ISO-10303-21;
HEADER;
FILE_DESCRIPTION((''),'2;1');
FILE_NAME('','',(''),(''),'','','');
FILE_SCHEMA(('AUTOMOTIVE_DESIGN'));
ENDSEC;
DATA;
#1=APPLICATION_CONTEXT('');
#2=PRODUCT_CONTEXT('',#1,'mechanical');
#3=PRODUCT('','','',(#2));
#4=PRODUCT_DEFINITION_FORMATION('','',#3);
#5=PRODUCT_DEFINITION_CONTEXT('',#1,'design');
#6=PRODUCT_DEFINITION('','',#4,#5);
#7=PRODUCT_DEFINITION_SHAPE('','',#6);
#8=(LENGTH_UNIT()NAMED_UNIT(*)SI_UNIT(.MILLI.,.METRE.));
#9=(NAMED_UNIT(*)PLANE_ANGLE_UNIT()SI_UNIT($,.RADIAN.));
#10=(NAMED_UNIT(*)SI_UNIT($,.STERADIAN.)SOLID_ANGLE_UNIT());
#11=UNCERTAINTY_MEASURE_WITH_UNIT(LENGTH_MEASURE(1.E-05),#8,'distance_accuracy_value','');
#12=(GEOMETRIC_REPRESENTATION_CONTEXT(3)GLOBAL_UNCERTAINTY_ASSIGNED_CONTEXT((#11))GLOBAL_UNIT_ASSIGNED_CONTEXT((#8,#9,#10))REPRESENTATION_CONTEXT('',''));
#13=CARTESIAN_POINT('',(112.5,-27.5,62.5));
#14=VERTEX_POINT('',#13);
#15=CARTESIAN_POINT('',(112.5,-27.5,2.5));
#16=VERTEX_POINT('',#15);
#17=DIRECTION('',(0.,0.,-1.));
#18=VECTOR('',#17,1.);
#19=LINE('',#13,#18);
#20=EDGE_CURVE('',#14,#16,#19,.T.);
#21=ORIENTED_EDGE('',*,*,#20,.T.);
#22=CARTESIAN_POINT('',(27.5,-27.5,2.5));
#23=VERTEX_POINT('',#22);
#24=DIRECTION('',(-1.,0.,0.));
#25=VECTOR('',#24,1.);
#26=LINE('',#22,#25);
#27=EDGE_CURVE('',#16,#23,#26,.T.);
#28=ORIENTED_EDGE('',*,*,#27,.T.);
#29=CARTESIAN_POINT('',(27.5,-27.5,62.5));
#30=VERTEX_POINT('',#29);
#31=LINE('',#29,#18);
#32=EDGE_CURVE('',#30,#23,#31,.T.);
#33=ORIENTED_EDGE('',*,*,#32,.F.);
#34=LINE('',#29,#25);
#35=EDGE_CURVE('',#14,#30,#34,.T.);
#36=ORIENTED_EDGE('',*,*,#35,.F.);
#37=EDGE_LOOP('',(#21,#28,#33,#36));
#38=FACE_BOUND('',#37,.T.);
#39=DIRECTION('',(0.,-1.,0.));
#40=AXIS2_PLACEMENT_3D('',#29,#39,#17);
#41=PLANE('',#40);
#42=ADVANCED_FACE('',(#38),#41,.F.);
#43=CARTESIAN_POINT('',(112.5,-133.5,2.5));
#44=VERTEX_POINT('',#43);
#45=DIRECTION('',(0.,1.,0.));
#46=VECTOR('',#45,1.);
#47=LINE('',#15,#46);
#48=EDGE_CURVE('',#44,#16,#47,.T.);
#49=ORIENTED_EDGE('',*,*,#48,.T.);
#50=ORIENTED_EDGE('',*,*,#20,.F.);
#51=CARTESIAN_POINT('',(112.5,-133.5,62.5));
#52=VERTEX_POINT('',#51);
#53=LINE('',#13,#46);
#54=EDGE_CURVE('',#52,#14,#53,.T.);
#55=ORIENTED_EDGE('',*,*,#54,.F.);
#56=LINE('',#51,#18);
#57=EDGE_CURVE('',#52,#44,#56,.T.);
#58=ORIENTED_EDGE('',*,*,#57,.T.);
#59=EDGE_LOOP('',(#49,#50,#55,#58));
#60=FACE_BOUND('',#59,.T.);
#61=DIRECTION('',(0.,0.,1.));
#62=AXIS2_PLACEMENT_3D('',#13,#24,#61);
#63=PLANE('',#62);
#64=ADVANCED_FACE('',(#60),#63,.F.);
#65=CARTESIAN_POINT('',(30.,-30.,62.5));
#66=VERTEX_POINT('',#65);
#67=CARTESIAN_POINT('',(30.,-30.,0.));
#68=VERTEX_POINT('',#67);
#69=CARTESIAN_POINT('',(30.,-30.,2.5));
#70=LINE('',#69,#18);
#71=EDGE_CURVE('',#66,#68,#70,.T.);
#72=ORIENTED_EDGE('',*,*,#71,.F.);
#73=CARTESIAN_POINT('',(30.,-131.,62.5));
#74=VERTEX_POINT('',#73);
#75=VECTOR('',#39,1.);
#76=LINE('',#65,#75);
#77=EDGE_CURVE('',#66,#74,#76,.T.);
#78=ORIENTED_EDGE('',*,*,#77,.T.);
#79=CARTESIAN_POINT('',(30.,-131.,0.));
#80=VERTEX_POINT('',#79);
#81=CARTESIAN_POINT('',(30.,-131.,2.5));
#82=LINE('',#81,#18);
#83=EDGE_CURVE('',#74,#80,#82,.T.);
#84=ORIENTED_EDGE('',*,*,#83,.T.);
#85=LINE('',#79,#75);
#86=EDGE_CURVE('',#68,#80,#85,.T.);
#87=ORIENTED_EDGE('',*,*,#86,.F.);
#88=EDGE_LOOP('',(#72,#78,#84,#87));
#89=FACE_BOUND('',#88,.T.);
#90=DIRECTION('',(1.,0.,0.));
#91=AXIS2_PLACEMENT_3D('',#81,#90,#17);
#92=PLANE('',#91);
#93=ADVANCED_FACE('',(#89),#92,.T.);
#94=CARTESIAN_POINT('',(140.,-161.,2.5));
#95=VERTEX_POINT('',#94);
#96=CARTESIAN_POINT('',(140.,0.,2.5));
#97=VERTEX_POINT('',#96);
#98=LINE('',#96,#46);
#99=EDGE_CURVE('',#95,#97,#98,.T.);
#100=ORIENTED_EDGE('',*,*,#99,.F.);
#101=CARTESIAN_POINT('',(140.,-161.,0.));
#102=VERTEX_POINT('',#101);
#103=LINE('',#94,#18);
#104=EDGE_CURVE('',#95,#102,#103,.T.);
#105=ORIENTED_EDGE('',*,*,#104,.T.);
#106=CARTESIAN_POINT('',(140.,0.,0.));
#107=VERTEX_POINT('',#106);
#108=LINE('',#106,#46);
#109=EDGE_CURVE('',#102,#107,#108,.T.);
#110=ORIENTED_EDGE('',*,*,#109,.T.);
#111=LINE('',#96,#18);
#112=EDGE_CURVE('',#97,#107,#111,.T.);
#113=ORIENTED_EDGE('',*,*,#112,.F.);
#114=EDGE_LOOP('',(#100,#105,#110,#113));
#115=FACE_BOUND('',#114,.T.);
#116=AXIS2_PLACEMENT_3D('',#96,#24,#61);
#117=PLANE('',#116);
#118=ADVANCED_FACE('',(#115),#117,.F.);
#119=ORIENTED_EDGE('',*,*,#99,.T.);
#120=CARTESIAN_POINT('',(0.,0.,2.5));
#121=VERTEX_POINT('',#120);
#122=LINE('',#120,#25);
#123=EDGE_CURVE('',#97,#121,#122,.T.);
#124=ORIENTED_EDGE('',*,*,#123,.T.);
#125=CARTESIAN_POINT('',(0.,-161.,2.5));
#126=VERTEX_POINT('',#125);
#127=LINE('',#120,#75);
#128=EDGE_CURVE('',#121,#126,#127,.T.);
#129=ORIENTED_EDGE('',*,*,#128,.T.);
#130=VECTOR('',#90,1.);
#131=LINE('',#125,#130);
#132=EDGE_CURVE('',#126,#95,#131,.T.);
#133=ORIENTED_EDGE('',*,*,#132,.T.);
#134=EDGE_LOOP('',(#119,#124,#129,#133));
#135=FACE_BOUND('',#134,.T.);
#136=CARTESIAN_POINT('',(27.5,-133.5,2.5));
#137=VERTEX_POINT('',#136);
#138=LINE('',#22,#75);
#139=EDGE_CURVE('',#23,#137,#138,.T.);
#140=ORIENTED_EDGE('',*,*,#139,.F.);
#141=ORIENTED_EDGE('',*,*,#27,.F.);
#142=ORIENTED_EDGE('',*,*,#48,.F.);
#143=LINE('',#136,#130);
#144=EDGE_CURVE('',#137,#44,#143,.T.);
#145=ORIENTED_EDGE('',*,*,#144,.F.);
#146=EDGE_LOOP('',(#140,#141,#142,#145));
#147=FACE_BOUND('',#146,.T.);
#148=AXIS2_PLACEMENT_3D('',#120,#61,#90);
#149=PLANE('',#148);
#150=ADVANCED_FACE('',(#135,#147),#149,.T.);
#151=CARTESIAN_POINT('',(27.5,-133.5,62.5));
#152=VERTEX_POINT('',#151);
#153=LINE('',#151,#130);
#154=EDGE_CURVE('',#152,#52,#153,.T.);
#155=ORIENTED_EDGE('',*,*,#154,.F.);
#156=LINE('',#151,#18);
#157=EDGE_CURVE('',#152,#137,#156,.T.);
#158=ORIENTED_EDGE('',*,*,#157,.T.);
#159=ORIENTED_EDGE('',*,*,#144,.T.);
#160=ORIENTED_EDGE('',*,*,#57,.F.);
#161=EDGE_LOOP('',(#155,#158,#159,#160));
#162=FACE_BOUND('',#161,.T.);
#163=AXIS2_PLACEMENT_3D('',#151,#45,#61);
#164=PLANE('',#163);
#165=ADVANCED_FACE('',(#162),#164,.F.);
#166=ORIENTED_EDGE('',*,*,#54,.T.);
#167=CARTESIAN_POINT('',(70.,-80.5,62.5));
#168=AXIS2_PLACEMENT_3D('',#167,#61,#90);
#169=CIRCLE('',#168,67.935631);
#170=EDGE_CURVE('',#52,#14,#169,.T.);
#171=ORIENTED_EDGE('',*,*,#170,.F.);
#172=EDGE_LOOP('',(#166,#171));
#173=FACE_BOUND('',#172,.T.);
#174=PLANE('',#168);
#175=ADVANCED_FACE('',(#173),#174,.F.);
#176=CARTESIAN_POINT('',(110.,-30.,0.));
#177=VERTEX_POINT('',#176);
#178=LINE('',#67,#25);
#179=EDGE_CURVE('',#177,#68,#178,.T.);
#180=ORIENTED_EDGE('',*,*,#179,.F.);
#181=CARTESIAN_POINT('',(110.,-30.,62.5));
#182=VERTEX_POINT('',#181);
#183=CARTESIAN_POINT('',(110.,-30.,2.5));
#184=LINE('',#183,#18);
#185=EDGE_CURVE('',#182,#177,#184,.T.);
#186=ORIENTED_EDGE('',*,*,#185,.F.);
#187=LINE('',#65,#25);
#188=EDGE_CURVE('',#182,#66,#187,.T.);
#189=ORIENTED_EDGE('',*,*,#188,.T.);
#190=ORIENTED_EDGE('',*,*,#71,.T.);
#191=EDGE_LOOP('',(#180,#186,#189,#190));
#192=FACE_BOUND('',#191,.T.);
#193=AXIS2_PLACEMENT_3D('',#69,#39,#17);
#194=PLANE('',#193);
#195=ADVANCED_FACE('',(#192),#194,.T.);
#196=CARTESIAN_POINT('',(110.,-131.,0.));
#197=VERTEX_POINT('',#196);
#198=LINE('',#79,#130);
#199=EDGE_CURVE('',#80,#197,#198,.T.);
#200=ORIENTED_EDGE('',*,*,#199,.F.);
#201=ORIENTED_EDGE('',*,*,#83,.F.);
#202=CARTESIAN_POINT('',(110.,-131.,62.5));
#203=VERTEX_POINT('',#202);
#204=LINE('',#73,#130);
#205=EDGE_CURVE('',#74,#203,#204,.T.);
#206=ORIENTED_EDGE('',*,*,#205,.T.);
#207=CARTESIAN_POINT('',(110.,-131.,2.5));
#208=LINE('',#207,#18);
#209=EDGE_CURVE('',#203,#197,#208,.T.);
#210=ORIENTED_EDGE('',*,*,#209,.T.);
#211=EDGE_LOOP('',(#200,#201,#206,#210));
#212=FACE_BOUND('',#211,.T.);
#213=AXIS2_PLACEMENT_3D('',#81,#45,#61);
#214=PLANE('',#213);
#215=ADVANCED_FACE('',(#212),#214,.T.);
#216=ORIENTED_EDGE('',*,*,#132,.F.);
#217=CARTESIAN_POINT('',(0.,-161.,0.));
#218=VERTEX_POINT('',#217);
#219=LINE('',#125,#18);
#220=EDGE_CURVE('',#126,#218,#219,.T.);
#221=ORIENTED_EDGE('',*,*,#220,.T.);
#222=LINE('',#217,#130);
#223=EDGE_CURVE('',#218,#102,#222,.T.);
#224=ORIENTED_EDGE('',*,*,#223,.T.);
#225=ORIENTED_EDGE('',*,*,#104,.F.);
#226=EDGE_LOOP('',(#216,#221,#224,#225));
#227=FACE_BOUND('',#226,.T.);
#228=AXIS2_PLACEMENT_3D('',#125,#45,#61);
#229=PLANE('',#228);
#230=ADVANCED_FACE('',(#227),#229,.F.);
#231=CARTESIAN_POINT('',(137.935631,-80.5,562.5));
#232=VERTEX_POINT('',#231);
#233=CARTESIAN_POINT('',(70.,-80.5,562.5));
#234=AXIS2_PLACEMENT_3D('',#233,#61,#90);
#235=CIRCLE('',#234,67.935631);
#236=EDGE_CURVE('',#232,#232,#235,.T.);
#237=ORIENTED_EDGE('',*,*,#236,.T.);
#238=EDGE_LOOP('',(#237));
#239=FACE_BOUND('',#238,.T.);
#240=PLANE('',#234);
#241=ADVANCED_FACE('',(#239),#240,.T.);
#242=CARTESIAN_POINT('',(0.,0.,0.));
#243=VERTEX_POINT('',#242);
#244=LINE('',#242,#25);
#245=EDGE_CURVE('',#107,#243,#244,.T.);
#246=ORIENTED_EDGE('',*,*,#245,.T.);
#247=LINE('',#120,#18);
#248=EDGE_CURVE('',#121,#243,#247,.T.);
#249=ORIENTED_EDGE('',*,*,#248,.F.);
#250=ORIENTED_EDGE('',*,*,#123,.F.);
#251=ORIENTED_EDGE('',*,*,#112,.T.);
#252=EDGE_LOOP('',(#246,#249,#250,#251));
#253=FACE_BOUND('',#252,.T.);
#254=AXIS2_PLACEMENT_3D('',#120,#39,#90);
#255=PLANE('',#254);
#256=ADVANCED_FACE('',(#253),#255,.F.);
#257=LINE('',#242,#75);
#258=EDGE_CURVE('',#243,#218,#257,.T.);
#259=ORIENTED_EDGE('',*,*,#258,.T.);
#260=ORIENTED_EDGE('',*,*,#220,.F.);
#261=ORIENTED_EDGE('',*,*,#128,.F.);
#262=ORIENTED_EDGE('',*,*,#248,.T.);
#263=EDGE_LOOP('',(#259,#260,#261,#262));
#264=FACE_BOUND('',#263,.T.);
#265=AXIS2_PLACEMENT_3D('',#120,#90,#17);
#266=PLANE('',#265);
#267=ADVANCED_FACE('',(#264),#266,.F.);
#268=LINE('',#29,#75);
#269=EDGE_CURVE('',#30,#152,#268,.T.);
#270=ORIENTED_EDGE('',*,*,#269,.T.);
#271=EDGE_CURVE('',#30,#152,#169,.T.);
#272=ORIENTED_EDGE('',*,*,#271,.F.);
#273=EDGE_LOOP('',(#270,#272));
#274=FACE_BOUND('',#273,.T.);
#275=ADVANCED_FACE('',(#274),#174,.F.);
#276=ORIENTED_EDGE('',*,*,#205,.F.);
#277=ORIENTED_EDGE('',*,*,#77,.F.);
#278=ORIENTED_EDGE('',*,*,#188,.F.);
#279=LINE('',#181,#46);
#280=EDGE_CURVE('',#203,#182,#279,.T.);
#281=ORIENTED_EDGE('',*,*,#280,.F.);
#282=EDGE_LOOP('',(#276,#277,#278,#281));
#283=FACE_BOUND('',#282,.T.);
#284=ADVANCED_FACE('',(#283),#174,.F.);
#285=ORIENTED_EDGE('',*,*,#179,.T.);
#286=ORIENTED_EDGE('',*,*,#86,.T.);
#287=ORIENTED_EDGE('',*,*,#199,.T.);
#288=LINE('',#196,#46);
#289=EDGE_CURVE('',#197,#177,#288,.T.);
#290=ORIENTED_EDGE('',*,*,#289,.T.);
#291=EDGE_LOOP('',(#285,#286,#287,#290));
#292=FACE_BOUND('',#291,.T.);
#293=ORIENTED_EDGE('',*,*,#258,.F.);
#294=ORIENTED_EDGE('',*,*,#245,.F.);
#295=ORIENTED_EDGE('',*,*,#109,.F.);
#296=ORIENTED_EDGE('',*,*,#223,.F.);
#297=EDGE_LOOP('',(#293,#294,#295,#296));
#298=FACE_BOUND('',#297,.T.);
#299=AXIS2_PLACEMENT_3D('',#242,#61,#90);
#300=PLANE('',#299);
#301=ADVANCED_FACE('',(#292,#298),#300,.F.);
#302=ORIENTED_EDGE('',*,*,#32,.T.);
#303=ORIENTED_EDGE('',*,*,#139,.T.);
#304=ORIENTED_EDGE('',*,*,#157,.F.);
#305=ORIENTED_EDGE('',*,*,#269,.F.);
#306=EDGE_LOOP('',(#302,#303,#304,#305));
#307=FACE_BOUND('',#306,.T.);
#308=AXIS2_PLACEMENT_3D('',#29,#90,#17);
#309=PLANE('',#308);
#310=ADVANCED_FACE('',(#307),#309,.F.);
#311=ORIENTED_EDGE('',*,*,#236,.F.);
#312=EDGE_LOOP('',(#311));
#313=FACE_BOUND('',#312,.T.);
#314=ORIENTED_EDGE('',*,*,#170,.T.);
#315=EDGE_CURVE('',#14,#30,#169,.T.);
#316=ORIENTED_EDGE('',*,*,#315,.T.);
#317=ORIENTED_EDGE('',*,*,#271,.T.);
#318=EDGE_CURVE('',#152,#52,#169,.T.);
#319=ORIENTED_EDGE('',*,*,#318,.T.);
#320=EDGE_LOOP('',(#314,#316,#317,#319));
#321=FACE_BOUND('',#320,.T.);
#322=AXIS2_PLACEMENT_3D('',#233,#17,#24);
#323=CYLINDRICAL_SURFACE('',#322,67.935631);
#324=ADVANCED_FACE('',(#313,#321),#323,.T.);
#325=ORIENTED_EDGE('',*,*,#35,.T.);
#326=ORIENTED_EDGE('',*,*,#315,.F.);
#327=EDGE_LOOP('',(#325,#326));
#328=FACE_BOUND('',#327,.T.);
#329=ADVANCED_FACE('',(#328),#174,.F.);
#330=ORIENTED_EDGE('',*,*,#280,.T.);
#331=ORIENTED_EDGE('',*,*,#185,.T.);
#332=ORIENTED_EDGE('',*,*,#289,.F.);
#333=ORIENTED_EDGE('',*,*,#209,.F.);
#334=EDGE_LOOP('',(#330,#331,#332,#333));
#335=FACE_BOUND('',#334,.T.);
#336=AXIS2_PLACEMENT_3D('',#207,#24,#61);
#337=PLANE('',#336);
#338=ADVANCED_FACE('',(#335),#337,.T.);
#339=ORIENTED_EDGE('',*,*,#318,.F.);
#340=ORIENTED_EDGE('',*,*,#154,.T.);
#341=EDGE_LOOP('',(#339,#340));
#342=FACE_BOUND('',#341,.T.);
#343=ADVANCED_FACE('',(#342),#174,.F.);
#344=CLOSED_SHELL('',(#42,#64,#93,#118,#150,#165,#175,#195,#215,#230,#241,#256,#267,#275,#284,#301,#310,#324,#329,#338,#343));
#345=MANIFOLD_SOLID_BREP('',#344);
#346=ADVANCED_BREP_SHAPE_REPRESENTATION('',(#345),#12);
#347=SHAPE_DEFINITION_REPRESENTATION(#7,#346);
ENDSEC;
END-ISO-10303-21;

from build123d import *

# Parameters (mm, degrees)
CROQUIS1_W              = 140
CROQUIS1_H              = 161
CROQUIS1_W_2            = 80
CROQUIS1_H_2            = 101
SALIENTE_EXTRUIR1_DEPTH = 2.5
CROQUIS2_W              = 85
CROQUIS2_H              = 106
CROQUIS2_W_2            = 80
CROQUIS2_H_2            = 101
SALIENTE_EXTRUIR2_DEPTH = 60
CROQUIS3_R              = 67.935631299
SALIENTE_EXTRUIR3_DEPTH = 500


with BuildPart() as part:
    # Croquis1 → Saliente-Extruir1 (new body)
    with BuildSketch(Plane.XY):
        with Locations((70, -80.5)):
            Rectangle(CROQUIS1_W, CROQUIS1_H)
        with Locations((70, -80.5)):
            Rectangle(CROQUIS1_W_2, CROQUIS1_H_2, mode=Mode.SUBTRACT)
    extrude(amount=SALIENTE_EXTRUIR1_DEPTH)

    # Croquis2 → Saliente-Extruir2 (add)
    with BuildSketch(Plane.XY.offset(2.5)):
        with Locations((70, -80.5)):
            Rectangle(CROQUIS2_W, CROQUIS2_H)
        with Locations((70, -80.5)):
            Rectangle(CROQUIS2_W_2, CROQUIS2_H_2, mode=Mode.SUBTRACT)
    extrude(amount=SALIENTE_EXTRUIR2_DEPTH)

    # Croquis3 → Saliente-Extruir3 (add)
    with BuildSketch(Plane.XY.offset(62.5)):
        with Locations(Location((70, -80.5, 0), (0, 0, 128.725665443))):
            Circle(CROQUIS3_R)
    extrude(amount=SALIENTE_EXTRUIR3_DEPTH)


solid = part.part
